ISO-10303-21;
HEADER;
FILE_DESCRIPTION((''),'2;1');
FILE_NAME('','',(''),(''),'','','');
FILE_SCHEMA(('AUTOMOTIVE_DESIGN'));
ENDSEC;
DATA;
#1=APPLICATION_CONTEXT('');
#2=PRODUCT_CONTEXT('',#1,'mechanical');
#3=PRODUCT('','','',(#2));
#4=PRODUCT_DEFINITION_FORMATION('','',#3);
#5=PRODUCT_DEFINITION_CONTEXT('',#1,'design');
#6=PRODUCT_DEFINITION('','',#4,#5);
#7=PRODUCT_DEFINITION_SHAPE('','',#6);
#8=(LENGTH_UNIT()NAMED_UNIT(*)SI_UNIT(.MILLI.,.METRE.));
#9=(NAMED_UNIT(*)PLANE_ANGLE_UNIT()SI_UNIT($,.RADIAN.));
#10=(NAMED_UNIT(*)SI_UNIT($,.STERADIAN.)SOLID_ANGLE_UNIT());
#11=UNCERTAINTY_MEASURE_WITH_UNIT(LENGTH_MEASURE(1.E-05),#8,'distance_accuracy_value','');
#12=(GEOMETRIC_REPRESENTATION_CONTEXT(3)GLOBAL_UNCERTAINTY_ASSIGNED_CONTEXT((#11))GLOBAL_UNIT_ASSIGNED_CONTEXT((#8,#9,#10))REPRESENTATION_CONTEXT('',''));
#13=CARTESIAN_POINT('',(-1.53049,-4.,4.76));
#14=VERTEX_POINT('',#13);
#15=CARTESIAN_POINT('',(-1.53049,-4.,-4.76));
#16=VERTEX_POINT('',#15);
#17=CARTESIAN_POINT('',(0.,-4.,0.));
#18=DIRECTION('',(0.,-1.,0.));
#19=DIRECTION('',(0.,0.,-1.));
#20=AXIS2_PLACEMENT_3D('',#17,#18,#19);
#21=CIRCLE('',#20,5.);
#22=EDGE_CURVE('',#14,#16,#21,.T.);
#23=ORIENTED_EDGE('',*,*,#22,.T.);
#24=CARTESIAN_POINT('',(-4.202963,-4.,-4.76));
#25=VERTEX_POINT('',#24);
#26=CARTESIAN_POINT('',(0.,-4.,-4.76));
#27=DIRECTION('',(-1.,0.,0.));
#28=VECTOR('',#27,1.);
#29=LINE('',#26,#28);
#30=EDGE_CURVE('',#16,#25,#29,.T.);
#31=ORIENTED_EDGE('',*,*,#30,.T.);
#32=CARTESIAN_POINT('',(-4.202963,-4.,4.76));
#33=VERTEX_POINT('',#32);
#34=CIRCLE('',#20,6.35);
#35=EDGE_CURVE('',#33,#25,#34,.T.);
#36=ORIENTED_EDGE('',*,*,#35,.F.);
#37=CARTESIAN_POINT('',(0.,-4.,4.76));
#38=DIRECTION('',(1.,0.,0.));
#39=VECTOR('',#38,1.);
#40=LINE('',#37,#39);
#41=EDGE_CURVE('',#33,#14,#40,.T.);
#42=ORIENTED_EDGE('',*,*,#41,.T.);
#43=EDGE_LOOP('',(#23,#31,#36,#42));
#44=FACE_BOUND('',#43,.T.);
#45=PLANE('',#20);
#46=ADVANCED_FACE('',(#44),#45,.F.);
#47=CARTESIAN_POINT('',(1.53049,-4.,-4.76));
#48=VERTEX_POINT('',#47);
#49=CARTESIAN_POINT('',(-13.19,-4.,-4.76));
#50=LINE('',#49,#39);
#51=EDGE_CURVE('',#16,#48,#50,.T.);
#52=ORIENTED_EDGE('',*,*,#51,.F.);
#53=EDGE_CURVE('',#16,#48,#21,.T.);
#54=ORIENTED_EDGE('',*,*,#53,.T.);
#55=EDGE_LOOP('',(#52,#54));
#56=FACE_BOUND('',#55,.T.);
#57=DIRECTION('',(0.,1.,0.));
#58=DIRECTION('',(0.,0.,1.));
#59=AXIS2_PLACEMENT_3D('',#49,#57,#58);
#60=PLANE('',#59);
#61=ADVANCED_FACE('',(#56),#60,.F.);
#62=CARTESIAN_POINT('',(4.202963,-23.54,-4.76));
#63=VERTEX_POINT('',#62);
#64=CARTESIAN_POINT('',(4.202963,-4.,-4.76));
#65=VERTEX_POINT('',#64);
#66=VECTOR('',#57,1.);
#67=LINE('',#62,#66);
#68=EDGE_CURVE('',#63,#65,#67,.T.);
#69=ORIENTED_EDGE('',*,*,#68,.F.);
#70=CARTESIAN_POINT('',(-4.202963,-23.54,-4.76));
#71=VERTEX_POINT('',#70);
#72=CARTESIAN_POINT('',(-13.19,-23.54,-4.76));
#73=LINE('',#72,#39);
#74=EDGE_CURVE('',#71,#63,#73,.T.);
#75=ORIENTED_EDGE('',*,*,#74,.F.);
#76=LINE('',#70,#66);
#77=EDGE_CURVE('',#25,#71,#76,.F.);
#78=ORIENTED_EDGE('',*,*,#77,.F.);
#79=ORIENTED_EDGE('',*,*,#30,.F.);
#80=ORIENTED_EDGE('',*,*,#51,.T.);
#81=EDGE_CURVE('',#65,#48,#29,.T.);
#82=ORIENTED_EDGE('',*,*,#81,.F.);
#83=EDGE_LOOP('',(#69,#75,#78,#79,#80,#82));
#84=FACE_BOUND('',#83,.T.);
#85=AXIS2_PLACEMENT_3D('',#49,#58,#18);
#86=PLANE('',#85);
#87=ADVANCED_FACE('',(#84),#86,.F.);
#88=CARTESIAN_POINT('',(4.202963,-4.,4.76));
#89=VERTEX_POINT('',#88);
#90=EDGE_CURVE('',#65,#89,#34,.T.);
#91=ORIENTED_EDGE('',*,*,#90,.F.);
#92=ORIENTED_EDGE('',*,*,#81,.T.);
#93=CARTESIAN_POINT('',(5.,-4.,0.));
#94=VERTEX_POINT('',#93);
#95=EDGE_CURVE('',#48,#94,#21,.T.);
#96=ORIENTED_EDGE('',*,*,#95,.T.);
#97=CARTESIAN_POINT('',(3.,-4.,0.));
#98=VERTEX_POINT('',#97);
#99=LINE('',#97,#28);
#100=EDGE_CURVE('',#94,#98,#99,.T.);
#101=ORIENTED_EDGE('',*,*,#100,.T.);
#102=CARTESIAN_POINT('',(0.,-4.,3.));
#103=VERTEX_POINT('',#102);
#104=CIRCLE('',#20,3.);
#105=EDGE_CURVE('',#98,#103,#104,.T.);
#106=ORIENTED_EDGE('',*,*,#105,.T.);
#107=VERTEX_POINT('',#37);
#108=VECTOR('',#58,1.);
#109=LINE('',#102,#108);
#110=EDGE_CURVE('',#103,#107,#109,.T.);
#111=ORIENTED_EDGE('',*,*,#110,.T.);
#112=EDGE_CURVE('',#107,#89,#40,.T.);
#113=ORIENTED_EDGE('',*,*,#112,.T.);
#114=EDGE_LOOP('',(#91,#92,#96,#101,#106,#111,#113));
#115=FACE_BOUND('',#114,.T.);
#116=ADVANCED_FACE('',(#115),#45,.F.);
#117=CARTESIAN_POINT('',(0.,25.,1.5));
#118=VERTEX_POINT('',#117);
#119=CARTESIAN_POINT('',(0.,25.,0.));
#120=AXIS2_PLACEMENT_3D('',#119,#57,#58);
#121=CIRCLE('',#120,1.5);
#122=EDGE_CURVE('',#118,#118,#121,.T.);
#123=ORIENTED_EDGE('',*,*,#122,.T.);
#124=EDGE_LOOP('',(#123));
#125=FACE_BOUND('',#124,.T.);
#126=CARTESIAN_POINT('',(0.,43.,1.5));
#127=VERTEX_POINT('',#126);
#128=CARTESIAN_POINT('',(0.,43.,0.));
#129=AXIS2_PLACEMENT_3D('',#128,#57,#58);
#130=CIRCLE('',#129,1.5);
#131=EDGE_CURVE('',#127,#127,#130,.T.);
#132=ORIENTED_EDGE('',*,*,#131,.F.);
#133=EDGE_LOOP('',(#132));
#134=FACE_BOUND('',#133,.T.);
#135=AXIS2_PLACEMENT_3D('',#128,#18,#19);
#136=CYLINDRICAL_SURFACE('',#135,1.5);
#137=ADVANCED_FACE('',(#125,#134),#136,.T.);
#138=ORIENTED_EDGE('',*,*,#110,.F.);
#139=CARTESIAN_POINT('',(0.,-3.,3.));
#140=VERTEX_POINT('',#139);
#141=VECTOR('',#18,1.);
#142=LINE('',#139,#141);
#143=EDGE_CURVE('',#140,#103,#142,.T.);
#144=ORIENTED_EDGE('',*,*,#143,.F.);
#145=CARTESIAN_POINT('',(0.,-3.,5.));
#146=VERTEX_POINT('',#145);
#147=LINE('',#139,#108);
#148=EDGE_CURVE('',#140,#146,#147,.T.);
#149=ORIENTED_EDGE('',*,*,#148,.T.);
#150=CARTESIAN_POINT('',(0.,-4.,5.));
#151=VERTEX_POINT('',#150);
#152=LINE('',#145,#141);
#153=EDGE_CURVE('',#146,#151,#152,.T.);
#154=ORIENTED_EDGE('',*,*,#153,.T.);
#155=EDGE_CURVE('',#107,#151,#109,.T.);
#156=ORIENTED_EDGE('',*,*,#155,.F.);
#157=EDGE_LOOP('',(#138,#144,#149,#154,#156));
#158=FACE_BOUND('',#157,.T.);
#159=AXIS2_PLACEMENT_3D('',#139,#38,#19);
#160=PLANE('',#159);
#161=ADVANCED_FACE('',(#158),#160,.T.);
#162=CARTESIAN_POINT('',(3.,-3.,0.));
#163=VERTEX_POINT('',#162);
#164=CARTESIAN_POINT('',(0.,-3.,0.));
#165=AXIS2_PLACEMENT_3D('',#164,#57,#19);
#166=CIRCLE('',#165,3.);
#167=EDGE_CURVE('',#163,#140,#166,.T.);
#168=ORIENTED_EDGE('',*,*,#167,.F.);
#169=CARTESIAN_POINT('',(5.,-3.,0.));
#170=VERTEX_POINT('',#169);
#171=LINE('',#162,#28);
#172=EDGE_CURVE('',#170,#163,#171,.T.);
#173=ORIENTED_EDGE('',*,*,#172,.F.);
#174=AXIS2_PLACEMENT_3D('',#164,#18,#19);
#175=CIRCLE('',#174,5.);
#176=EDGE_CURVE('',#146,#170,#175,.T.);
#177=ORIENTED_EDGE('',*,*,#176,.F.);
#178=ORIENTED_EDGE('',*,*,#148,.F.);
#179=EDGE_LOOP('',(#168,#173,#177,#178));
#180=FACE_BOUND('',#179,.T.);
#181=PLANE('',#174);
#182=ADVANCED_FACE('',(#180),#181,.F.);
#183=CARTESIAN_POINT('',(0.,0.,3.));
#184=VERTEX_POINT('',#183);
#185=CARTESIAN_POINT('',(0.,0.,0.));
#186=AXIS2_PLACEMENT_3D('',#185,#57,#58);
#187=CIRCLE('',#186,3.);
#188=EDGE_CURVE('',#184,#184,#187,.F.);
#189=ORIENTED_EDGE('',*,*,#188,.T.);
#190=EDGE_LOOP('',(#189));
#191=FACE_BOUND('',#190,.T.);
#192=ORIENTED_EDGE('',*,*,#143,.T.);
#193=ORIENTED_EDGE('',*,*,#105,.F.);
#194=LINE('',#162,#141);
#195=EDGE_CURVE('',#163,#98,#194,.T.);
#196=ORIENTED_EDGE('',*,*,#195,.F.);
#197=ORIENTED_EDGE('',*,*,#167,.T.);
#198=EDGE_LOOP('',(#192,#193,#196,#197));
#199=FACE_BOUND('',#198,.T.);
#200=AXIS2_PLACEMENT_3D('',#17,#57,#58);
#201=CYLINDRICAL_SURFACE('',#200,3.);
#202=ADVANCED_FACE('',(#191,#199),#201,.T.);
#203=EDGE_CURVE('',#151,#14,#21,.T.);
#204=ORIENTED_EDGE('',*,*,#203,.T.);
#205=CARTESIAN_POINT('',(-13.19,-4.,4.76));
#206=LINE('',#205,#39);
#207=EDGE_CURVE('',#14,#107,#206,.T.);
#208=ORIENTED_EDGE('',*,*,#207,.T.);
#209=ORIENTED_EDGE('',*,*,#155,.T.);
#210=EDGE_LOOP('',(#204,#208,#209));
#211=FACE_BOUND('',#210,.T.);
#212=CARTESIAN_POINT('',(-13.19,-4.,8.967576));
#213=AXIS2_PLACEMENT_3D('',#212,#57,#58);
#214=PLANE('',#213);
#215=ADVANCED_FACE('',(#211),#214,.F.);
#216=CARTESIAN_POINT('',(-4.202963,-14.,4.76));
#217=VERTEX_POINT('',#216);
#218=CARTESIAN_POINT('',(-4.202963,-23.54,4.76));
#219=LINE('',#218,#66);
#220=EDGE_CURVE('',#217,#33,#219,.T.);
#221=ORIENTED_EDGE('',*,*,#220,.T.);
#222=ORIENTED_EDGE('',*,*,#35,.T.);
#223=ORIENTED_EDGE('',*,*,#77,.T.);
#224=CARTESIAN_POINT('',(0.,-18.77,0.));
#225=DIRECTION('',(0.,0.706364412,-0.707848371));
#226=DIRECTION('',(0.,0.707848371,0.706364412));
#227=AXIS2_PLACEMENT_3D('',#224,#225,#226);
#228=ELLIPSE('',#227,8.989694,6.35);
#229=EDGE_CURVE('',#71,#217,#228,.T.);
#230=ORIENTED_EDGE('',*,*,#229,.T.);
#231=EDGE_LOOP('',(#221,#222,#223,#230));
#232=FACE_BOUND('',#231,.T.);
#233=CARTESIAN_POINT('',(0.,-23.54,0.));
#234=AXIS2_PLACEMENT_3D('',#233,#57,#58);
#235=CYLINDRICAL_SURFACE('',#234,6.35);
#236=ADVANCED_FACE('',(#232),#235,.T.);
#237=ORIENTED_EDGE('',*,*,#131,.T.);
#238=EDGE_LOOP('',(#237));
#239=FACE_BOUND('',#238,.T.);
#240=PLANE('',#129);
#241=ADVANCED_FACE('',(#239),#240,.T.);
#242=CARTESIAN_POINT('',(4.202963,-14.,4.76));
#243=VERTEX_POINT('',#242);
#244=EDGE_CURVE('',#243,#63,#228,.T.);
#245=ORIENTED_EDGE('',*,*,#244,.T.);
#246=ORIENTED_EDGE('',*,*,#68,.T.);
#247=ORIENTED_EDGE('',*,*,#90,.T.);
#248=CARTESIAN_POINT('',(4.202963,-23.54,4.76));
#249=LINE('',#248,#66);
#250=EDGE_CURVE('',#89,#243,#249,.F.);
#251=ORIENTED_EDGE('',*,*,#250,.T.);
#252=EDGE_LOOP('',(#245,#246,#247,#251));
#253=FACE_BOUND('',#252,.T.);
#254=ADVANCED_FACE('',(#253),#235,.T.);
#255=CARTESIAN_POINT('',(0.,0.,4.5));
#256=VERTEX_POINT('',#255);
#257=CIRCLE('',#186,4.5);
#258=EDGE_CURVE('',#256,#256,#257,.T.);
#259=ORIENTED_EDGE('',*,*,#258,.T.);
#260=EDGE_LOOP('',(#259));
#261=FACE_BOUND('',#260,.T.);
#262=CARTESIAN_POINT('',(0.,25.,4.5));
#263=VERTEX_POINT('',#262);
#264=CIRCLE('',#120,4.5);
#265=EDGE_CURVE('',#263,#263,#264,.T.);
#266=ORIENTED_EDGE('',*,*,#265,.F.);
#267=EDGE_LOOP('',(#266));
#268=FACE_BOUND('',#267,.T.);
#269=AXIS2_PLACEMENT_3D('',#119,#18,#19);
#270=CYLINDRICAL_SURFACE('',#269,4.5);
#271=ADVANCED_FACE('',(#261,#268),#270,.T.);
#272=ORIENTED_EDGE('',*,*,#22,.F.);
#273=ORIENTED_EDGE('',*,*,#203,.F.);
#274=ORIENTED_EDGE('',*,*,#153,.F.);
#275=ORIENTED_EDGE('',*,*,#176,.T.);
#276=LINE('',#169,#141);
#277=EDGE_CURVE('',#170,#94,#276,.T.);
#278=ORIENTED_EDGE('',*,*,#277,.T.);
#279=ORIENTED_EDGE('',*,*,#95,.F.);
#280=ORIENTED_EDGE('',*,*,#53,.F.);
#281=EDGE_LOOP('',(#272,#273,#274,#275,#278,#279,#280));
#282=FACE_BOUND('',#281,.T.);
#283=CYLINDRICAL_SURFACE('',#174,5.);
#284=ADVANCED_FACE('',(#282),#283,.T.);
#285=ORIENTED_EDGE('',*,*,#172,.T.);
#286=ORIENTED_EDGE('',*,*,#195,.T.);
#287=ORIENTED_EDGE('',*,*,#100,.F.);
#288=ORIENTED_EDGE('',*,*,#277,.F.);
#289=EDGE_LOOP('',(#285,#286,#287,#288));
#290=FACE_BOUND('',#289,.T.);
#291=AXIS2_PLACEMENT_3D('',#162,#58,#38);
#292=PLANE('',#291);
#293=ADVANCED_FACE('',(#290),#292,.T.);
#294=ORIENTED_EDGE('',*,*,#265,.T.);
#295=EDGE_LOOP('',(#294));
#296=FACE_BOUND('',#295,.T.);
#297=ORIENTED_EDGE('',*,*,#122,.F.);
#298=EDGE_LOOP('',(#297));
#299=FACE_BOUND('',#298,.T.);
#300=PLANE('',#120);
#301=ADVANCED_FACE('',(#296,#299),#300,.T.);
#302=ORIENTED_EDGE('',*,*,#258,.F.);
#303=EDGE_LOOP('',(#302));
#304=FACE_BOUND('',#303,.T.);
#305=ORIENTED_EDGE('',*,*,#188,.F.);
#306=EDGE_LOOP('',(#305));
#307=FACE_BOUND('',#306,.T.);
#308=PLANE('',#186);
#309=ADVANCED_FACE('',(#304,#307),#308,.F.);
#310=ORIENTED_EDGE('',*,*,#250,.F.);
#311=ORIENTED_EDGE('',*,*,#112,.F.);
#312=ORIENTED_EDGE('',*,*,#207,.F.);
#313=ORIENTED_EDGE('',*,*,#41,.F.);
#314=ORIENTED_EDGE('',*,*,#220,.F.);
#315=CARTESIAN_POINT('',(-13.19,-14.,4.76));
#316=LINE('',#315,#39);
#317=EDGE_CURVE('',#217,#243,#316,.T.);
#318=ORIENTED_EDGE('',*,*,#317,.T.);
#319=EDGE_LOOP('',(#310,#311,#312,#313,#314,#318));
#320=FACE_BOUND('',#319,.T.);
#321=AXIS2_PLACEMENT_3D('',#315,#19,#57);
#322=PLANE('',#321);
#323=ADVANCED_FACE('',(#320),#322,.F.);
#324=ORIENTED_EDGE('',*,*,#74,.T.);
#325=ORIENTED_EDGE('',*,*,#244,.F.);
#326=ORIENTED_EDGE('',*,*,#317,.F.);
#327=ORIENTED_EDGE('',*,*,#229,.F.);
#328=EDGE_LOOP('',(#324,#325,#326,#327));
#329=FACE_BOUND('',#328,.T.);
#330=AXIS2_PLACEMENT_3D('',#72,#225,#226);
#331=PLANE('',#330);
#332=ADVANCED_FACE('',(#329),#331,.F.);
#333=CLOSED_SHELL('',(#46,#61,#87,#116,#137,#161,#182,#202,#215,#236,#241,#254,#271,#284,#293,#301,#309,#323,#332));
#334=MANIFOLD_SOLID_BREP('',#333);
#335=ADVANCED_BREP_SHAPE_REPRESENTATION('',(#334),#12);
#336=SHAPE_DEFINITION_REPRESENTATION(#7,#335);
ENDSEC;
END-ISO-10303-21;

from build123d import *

# Parameters (mm, degrees)
SKETCH1_R           = 4.5
BOSS_EXTRUDE1_DEPTH = 25
SKETCH2_R           = 3
BOSS_EXTRUDE2_DEPTH = 4
BOSS_EXTRUDE3_DEPTH = 1
SKETCH4_R           = 6.35
BOSS_EXTRUDE4_DEPTH = 19.54
CUT_EXTRUDE1_DEPTH  = 19.54
SKETCH7_R           = 1.5
BOSS_EXTRUDE5_DEPTH = 18


with BuildPart() as part:
    # Sketch1 → Boss-Extrude1 (new body)
    with BuildSketch(Plane(origin=(0, 0, 0), x_dir=(1, 0, 0), z_dir=(0, 1, 0))):
        Circle(SKETCH1_R)
    extrude(amount=BOSS_EXTRUDE1_DEPTH)

    # Sketch2 → Boss-Extrude2 (add)
    with BuildSketch(Plane.XZ):
        Circle(SKETCH2_R)
    extrude(amount=BOSS_EXTRUDE2_DEPTH)

    # Sketch3 → Boss-Extrude3 (add)
    with BuildSketch(Plane.XZ.offset(4)):
        with BuildLine():
            Line((0, 3), (0, 5))
            ThreePointArc((0, 5), (-3.535533906, -3.535533906), (5, 0))
            Line((5, 0), (3, 0))
            ThreePointArc((3, 0), (-2.121320344, -2.121320344), (0, 3))
        make_face()
    extrude(amount=-BOSS_EXTRUDE3_DEPTH)

    # Sketch4 → Boss-Extrude4 (add)
    with BuildSketch(Plane.XZ.offset(4)):
        Circle(SKETCH4_R)
    extrude(amount=BOSS_EXTRUDE4_DEPTH)

    # Sketch6 → Cut-Extrude1 (cut)
    with BuildSketch(Plane(origin=(6.35, 0, 0), x_dir=(0, 0, -1), z_dir=(1, 0, 0))):
        Polygon((-8.967576024, -4), (-4.76, -4), (-4.76, -14), (4.76, -23.54), (4.76, -4), (8.459767383, -4), (8.459767383, -27.476657102), (-8.967576024, -27.476657102), align=None)
    extrude(amount=-CUT_EXTRUDE1_DEPTH, mode=Mode.SUBTRACT)

    # Sketch7 → Boss-Extrude5 (add)
    with BuildSketch(Plane(origin=(0, 25, 0), x_dir=(1, 0, 0), z_dir=(0, 1, 0))):
        Circle(SKETCH7_R)
    extrude(amount=BOSS_EXTRUDE5_DEPTH)


solid = part.part
